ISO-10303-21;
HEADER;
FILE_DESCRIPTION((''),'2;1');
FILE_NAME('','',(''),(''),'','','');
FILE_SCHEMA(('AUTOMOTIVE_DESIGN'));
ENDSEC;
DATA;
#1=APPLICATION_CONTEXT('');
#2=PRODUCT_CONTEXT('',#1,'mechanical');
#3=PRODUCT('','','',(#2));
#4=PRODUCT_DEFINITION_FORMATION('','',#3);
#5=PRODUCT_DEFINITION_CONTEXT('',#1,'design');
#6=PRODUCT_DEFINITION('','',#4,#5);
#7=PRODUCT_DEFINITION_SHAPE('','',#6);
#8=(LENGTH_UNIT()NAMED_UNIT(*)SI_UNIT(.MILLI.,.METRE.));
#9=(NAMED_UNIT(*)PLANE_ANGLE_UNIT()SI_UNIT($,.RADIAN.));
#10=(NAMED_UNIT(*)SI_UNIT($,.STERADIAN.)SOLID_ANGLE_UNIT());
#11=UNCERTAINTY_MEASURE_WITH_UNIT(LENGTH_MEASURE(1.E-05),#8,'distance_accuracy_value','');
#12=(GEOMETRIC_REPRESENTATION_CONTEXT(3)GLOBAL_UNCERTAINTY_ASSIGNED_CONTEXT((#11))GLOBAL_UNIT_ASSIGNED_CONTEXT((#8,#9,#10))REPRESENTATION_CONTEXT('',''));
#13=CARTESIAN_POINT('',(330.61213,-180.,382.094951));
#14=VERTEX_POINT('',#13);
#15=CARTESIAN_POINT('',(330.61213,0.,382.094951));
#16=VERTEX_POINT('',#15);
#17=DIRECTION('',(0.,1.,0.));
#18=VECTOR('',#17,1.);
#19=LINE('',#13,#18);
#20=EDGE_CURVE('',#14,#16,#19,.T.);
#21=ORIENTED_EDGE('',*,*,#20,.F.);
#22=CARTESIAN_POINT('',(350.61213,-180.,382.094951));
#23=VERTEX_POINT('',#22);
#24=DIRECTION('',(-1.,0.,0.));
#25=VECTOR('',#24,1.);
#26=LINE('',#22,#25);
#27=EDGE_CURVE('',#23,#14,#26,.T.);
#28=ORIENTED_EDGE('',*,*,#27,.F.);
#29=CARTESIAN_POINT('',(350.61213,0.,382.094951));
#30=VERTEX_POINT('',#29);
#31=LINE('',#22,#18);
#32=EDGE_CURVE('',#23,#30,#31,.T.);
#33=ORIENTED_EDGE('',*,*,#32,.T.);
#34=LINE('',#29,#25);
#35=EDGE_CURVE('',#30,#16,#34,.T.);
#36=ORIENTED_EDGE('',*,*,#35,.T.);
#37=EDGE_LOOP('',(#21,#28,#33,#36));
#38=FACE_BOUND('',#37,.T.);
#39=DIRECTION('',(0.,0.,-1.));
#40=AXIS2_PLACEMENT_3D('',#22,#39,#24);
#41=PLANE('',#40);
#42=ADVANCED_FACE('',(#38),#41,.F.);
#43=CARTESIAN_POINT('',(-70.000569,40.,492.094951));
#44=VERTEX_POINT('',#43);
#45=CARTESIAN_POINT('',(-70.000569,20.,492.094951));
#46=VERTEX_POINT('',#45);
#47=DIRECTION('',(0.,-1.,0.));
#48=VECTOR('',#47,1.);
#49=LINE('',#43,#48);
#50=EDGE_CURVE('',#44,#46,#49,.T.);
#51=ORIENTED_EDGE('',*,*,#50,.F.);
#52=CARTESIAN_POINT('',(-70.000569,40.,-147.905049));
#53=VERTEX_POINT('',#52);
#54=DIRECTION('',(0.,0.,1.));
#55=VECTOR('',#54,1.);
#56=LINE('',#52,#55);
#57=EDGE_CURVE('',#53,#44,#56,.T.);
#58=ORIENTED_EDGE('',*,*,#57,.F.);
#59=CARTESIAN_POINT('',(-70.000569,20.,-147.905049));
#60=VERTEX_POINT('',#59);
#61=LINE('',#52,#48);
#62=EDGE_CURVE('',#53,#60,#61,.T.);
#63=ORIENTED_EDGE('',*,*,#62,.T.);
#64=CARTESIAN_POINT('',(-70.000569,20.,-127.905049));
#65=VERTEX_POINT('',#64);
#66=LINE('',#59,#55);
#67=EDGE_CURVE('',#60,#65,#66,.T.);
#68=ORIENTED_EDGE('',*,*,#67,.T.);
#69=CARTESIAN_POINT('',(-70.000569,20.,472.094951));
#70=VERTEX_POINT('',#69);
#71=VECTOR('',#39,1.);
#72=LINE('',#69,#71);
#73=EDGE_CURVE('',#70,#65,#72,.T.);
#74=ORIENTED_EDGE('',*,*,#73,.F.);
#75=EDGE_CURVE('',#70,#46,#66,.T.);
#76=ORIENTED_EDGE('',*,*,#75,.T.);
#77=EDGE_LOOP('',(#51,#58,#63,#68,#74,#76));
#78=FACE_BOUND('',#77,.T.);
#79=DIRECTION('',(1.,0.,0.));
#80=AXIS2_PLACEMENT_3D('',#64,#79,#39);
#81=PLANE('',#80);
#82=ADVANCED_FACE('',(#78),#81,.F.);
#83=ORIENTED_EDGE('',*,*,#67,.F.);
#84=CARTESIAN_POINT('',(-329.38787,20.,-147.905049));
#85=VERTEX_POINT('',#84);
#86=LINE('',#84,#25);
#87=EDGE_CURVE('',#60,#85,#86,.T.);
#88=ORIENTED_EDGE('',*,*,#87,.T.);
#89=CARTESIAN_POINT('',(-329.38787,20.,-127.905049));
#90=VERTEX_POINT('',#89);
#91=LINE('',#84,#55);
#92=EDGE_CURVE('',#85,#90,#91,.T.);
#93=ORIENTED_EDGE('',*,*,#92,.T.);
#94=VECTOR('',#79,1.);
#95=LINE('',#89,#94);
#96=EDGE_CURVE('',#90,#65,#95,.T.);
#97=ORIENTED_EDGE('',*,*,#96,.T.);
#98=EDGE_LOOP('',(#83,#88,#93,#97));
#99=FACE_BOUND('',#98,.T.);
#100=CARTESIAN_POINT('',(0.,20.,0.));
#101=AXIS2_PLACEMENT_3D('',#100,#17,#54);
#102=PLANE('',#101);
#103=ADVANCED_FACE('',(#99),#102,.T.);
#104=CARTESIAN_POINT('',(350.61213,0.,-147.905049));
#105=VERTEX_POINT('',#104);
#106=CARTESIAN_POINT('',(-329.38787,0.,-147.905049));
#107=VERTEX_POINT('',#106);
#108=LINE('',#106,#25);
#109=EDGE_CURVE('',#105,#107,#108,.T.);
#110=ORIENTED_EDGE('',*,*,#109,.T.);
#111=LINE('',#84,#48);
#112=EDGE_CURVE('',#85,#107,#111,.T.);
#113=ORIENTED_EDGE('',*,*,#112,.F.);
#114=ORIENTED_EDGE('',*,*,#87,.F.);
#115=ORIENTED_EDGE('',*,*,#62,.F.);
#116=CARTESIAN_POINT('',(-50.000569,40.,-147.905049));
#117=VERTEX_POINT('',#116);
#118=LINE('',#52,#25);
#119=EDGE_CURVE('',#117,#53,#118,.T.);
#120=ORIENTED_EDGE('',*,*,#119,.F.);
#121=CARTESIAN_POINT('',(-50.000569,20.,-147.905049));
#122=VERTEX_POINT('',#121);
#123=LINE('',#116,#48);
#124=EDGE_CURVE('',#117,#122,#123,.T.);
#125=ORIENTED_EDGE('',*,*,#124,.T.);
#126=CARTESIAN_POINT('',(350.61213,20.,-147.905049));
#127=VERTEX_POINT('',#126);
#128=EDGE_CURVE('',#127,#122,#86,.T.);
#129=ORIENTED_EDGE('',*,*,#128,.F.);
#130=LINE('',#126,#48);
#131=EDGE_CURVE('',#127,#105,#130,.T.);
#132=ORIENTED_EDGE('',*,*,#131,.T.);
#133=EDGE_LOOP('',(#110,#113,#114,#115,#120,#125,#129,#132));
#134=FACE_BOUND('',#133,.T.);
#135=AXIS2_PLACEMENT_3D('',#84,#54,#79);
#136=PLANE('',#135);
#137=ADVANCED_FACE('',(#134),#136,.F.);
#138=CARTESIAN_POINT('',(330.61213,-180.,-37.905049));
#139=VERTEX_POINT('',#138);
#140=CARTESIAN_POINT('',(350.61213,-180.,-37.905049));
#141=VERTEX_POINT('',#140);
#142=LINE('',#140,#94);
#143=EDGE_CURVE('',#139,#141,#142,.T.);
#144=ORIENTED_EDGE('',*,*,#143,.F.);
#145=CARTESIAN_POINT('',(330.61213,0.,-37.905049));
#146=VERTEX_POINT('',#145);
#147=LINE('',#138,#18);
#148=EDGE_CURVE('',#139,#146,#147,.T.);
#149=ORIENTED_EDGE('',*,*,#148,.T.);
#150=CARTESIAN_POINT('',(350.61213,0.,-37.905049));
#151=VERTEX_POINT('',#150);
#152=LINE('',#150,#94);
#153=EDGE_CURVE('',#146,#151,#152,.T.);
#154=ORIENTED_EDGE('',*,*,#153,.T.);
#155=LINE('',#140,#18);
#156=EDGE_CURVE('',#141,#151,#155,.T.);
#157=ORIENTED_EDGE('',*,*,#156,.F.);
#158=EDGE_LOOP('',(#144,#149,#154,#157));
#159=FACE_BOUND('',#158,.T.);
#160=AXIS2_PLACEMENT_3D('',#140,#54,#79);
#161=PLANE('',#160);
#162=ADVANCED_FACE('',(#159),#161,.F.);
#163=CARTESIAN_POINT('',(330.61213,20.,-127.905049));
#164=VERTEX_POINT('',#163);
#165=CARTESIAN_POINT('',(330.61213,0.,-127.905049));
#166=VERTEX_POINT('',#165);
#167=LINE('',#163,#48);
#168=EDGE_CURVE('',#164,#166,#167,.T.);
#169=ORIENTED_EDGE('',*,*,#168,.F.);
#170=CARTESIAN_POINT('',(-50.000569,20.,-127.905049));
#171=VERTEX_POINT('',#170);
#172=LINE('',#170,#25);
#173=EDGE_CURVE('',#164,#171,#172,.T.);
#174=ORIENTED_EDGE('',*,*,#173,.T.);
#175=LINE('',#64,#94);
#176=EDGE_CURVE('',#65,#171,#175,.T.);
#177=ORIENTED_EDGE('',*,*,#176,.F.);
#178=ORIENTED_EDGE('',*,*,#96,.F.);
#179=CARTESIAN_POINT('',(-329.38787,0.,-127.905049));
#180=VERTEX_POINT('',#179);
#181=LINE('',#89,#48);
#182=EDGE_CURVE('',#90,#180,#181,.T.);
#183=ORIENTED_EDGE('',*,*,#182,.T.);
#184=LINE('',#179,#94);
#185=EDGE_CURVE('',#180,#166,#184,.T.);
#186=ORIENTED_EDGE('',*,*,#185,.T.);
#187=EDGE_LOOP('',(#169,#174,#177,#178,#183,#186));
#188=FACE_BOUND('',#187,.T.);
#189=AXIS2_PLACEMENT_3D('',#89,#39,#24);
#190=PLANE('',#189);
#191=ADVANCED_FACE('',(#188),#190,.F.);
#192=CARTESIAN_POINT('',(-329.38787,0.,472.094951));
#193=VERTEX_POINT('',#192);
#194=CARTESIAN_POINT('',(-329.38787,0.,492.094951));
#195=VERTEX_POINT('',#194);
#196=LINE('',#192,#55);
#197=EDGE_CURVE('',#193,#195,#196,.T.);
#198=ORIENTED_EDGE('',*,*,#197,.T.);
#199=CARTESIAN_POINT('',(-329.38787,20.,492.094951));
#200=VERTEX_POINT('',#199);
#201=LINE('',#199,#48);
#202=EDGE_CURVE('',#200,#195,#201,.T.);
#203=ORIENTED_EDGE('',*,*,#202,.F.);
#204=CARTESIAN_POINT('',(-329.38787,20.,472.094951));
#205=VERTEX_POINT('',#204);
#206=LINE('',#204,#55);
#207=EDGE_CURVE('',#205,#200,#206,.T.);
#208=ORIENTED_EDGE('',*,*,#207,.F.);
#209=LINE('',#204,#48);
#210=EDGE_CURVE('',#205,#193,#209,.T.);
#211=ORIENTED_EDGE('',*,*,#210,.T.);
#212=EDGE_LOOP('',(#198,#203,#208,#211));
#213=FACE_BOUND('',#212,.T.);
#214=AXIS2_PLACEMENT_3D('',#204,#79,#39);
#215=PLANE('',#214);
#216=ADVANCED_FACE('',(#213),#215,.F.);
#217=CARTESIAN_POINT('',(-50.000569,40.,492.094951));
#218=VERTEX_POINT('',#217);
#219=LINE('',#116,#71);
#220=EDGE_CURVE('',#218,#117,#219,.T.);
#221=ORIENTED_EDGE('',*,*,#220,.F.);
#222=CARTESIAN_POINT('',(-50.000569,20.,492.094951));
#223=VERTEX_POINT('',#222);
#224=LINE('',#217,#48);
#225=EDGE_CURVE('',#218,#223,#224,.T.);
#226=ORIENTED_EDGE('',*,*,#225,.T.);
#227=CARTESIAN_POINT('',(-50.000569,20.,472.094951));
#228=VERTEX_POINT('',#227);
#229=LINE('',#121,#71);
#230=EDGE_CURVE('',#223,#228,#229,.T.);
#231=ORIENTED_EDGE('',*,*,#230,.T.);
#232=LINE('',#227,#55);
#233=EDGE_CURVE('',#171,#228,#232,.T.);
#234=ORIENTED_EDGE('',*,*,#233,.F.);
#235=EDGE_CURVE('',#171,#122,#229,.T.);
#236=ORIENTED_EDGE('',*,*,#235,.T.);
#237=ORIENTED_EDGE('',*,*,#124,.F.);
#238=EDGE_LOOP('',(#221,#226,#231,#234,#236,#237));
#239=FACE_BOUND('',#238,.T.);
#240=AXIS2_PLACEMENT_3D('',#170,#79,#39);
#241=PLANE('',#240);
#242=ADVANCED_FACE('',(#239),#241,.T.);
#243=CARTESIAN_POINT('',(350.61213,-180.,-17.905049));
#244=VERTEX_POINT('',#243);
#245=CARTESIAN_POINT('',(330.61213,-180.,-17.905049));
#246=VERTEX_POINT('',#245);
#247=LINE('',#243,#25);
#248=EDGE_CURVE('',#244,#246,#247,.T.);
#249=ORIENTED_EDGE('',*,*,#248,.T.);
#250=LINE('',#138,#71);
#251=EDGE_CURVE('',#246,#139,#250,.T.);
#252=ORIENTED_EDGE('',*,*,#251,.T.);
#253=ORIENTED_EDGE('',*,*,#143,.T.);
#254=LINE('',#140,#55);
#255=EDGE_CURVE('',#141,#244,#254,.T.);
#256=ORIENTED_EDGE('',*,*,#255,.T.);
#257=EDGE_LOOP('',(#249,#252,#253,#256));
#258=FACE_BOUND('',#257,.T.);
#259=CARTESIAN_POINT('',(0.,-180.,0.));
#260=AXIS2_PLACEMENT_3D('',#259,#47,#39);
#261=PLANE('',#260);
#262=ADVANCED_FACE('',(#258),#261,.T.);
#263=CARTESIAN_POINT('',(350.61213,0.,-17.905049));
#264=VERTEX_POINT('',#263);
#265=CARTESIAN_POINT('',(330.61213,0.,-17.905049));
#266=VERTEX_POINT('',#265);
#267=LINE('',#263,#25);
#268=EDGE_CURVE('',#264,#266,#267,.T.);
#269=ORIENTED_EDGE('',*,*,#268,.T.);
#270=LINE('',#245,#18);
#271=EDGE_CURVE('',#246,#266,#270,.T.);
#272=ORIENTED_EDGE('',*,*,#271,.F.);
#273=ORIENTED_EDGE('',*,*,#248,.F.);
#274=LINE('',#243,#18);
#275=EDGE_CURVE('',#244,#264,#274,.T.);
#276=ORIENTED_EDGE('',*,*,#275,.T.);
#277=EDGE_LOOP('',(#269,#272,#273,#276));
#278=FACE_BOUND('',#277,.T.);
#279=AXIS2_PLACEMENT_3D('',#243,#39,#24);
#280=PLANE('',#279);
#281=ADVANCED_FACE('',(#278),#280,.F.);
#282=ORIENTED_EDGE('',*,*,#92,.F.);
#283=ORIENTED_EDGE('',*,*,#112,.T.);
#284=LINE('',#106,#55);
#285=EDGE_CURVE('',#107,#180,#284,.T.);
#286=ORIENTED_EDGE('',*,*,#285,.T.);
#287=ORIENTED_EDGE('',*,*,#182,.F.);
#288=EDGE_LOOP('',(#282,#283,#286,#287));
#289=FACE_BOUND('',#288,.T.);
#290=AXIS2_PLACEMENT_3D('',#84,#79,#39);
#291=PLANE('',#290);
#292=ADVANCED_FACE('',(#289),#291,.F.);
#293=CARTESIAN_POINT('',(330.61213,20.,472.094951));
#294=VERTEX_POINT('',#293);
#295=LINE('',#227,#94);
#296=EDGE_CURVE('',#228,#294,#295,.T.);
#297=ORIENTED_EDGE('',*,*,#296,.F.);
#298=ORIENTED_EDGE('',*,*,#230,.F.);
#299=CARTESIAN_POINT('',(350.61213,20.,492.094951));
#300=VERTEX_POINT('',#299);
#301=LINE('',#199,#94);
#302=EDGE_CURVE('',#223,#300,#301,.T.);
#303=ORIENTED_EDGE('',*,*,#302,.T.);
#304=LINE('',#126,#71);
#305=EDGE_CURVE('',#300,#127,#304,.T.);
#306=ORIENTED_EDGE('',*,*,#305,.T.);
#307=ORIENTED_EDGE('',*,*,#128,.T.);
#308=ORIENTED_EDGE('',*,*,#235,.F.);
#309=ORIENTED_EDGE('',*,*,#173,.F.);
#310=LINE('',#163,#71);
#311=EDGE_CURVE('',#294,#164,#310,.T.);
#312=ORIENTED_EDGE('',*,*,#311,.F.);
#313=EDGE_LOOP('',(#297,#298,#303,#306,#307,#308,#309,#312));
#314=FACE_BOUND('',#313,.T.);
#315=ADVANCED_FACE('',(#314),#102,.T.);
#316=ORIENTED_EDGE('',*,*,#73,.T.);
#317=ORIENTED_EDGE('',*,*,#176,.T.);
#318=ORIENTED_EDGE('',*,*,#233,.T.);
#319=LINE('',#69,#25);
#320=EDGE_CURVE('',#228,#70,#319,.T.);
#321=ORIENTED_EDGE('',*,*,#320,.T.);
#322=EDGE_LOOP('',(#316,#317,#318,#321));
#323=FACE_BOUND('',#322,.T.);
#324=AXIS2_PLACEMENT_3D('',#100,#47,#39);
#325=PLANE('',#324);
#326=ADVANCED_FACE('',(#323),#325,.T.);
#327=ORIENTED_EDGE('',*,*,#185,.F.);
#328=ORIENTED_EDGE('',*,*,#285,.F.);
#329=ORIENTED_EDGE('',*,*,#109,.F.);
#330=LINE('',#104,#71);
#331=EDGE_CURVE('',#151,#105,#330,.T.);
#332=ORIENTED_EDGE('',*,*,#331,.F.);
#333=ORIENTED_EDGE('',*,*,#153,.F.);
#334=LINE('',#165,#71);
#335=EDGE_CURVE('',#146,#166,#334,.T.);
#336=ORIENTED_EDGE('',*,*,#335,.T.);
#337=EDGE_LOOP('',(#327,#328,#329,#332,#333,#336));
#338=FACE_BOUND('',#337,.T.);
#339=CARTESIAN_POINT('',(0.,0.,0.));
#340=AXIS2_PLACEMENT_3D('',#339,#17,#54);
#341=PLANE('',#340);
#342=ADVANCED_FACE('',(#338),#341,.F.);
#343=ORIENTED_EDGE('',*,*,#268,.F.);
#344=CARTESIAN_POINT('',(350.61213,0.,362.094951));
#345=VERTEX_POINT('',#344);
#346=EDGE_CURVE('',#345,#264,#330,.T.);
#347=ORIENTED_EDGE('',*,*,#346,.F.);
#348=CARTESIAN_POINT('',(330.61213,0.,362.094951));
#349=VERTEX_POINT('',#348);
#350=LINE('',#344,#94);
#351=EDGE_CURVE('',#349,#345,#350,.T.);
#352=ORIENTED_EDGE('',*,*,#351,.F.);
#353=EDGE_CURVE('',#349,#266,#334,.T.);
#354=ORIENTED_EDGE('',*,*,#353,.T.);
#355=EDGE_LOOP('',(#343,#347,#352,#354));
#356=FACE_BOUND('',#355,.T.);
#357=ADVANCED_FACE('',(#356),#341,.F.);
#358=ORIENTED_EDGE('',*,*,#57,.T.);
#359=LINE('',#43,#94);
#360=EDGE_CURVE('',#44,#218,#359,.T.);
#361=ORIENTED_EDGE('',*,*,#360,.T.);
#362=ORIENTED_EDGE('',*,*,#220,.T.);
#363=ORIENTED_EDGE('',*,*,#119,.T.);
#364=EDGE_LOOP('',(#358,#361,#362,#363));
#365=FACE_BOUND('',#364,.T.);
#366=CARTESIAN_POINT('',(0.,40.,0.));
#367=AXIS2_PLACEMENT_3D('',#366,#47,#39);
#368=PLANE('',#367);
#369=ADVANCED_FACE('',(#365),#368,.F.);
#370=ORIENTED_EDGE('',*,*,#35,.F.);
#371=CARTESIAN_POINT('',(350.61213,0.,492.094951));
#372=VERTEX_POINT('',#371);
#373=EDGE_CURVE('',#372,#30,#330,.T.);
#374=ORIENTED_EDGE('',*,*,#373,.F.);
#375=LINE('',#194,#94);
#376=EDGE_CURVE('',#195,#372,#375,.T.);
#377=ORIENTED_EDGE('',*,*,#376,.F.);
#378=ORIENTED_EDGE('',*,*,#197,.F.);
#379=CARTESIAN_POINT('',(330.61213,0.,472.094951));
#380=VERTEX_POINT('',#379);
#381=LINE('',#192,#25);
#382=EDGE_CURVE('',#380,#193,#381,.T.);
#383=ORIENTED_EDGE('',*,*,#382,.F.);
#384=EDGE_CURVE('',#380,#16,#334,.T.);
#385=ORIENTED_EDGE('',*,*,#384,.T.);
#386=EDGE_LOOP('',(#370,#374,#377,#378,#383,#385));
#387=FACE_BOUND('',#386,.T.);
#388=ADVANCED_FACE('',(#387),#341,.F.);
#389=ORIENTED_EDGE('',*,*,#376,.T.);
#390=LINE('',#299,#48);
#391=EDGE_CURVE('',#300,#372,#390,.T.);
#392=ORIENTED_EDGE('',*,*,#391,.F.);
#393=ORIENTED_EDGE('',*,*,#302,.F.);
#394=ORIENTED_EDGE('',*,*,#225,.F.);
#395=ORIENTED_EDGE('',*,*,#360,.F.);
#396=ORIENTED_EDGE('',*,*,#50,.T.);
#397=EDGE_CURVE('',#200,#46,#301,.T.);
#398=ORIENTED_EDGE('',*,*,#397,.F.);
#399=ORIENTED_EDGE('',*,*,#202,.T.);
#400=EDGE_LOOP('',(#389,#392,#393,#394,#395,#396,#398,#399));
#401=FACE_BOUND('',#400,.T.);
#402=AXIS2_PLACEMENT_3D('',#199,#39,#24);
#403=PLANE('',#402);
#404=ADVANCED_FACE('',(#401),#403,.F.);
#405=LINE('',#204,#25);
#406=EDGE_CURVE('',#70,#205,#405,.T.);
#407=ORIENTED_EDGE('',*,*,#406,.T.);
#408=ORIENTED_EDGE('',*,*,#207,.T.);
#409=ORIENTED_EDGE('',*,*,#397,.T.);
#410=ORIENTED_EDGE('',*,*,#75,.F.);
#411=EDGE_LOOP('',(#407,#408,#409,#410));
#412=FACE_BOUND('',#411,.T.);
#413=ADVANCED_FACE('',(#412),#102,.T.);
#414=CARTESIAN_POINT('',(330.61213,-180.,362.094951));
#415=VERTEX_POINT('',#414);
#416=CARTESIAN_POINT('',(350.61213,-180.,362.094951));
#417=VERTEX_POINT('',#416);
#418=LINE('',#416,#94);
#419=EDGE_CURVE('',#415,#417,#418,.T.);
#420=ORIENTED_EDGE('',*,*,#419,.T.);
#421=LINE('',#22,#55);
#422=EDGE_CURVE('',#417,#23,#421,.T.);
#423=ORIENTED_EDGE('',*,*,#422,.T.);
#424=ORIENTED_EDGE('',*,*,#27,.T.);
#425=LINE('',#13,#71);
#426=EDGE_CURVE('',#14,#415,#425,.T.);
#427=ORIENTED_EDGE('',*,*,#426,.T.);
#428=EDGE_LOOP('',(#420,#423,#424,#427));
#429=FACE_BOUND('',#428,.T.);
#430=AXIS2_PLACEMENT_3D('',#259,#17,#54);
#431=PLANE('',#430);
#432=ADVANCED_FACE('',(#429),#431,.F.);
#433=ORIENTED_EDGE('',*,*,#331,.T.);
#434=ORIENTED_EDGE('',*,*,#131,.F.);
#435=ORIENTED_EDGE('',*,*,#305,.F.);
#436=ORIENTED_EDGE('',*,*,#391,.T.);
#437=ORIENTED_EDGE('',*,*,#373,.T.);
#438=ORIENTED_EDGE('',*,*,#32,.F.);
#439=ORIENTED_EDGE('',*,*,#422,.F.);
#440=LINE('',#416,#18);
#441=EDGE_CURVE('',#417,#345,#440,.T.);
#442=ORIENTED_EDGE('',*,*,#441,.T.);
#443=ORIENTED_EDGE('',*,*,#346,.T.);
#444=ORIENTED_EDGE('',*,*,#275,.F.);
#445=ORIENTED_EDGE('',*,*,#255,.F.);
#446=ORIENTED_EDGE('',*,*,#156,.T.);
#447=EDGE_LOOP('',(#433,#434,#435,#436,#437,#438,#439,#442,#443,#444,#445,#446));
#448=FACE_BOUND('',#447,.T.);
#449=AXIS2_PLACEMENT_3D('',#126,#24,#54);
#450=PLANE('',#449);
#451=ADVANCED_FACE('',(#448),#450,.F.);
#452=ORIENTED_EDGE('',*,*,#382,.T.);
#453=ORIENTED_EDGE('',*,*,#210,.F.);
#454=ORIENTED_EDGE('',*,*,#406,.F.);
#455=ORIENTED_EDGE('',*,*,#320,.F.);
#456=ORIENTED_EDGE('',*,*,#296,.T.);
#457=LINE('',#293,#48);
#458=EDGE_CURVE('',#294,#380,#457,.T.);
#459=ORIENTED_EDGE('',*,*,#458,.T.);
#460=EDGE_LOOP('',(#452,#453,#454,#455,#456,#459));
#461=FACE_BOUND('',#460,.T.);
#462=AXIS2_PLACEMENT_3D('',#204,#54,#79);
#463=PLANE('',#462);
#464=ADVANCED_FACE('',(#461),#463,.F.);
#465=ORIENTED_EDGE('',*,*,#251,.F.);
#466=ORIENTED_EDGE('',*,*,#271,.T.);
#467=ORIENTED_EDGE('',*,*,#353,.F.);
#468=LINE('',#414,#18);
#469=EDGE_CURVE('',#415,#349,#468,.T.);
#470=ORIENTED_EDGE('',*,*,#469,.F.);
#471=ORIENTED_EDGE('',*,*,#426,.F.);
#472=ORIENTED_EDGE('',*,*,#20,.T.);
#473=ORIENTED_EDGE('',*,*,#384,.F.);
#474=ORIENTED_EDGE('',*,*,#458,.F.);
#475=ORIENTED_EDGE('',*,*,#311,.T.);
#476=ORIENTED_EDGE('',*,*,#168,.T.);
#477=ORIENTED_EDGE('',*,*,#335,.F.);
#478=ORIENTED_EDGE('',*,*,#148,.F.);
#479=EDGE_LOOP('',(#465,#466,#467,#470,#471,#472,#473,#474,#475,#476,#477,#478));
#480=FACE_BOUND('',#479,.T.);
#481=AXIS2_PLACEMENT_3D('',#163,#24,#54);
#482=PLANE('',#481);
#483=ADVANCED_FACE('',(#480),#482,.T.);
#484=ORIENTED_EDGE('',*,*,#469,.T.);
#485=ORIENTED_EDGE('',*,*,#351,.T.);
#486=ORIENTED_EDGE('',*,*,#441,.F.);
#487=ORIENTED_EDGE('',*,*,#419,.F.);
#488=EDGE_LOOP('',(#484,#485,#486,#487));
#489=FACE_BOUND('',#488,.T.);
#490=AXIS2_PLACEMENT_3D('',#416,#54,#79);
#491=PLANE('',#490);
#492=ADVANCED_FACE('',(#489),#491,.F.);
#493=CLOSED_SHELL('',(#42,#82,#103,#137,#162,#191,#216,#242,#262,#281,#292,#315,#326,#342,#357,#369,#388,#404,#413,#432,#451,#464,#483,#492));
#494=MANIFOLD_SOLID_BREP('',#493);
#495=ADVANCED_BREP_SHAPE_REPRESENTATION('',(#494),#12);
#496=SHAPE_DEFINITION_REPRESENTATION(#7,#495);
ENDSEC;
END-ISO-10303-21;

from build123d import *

# Parameters (mm, degrees)
SKETCH_1_W          = 380.612698372
SKETCH_1_H          = 600
EXTRUDE_1_DEPTH     = 20
SKETCH1_W           = 20
SKETCH1_H           = 640
BOSS_EXTRUDE1_DEPTH = 20
SKETCH2_W           = 20
SKETCH2_H           = 600
CUT_EXTRUDE1_DEPTH  = 20
SKETCH3_W           = 20
SKETCH3_H           = 20
BOSS_EXTRUDE2_DEPTH = 180


with BuildPart() as part:
    # 草图1 → 凸台-拉伸1 (new body)
    with BuildSketch(Plane(origin=(0, 0, 0), x_dir=(1, 0, 0), z_dir=(0, 1, 0))):
        Polygon((-329.38787024, -472.094950635), (-329.38787024, -492.094950635), (350.61212976, -492.094950635), (350.61212976, 147.905049365), (-329.38787024, 147.905049365), (-329.38787024, 127.905049365), (-70.000568612, 127.905049365), (-70.000568612, -472.094950635), align=None)
        with Locations((140.305780574, -172.094950635)):
            Rectangle(SKETCH_1_W, SKETCH_1_H, mode=Mode.SUBTRACT)
    extrude(amount=EXTRUDE_1_DEPTH)

    # Sketch1 → Boss-Extrude1 (add)
    with BuildSketch(Plane(origin=(0, 20, 0), x_dir=(1, 0, 0), z_dir=(0, 1, 0))):
        with Locations((-60.000568612, -172.094950635)):
            Rectangle(SKETCH1_W, SKETCH1_H)
    extrude(amount=BOSS_EXTRUDE1_DEPTH)

    # Sketch2 → Cut-Extrude1 (cut)
    with BuildSketch(Plane.XZ):
        with Locations((-60.000568612, 172.094950635)):
            Rectangle(SKETCH2_W, SKETCH2_H)
    extrude(amount=-CUT_EXTRUDE1_DEPTH, mode=Mode.SUBTRACT)

    # Sketch3 → Boss-Extrude2 (add)
    with BuildSketch(Plane.XZ):
        with Locations((340.61212976, 372.094950635)):
            Rectangle(SKETCH3_W, SKETCH3_H)
        with Locations((340.61212976, -27.905049365)):
            Rectangle(SKETCH3_W, SKETCH3_H)
    extrude(amount=BOSS_EXTRUDE2_DEPTH)


solid = part.part
